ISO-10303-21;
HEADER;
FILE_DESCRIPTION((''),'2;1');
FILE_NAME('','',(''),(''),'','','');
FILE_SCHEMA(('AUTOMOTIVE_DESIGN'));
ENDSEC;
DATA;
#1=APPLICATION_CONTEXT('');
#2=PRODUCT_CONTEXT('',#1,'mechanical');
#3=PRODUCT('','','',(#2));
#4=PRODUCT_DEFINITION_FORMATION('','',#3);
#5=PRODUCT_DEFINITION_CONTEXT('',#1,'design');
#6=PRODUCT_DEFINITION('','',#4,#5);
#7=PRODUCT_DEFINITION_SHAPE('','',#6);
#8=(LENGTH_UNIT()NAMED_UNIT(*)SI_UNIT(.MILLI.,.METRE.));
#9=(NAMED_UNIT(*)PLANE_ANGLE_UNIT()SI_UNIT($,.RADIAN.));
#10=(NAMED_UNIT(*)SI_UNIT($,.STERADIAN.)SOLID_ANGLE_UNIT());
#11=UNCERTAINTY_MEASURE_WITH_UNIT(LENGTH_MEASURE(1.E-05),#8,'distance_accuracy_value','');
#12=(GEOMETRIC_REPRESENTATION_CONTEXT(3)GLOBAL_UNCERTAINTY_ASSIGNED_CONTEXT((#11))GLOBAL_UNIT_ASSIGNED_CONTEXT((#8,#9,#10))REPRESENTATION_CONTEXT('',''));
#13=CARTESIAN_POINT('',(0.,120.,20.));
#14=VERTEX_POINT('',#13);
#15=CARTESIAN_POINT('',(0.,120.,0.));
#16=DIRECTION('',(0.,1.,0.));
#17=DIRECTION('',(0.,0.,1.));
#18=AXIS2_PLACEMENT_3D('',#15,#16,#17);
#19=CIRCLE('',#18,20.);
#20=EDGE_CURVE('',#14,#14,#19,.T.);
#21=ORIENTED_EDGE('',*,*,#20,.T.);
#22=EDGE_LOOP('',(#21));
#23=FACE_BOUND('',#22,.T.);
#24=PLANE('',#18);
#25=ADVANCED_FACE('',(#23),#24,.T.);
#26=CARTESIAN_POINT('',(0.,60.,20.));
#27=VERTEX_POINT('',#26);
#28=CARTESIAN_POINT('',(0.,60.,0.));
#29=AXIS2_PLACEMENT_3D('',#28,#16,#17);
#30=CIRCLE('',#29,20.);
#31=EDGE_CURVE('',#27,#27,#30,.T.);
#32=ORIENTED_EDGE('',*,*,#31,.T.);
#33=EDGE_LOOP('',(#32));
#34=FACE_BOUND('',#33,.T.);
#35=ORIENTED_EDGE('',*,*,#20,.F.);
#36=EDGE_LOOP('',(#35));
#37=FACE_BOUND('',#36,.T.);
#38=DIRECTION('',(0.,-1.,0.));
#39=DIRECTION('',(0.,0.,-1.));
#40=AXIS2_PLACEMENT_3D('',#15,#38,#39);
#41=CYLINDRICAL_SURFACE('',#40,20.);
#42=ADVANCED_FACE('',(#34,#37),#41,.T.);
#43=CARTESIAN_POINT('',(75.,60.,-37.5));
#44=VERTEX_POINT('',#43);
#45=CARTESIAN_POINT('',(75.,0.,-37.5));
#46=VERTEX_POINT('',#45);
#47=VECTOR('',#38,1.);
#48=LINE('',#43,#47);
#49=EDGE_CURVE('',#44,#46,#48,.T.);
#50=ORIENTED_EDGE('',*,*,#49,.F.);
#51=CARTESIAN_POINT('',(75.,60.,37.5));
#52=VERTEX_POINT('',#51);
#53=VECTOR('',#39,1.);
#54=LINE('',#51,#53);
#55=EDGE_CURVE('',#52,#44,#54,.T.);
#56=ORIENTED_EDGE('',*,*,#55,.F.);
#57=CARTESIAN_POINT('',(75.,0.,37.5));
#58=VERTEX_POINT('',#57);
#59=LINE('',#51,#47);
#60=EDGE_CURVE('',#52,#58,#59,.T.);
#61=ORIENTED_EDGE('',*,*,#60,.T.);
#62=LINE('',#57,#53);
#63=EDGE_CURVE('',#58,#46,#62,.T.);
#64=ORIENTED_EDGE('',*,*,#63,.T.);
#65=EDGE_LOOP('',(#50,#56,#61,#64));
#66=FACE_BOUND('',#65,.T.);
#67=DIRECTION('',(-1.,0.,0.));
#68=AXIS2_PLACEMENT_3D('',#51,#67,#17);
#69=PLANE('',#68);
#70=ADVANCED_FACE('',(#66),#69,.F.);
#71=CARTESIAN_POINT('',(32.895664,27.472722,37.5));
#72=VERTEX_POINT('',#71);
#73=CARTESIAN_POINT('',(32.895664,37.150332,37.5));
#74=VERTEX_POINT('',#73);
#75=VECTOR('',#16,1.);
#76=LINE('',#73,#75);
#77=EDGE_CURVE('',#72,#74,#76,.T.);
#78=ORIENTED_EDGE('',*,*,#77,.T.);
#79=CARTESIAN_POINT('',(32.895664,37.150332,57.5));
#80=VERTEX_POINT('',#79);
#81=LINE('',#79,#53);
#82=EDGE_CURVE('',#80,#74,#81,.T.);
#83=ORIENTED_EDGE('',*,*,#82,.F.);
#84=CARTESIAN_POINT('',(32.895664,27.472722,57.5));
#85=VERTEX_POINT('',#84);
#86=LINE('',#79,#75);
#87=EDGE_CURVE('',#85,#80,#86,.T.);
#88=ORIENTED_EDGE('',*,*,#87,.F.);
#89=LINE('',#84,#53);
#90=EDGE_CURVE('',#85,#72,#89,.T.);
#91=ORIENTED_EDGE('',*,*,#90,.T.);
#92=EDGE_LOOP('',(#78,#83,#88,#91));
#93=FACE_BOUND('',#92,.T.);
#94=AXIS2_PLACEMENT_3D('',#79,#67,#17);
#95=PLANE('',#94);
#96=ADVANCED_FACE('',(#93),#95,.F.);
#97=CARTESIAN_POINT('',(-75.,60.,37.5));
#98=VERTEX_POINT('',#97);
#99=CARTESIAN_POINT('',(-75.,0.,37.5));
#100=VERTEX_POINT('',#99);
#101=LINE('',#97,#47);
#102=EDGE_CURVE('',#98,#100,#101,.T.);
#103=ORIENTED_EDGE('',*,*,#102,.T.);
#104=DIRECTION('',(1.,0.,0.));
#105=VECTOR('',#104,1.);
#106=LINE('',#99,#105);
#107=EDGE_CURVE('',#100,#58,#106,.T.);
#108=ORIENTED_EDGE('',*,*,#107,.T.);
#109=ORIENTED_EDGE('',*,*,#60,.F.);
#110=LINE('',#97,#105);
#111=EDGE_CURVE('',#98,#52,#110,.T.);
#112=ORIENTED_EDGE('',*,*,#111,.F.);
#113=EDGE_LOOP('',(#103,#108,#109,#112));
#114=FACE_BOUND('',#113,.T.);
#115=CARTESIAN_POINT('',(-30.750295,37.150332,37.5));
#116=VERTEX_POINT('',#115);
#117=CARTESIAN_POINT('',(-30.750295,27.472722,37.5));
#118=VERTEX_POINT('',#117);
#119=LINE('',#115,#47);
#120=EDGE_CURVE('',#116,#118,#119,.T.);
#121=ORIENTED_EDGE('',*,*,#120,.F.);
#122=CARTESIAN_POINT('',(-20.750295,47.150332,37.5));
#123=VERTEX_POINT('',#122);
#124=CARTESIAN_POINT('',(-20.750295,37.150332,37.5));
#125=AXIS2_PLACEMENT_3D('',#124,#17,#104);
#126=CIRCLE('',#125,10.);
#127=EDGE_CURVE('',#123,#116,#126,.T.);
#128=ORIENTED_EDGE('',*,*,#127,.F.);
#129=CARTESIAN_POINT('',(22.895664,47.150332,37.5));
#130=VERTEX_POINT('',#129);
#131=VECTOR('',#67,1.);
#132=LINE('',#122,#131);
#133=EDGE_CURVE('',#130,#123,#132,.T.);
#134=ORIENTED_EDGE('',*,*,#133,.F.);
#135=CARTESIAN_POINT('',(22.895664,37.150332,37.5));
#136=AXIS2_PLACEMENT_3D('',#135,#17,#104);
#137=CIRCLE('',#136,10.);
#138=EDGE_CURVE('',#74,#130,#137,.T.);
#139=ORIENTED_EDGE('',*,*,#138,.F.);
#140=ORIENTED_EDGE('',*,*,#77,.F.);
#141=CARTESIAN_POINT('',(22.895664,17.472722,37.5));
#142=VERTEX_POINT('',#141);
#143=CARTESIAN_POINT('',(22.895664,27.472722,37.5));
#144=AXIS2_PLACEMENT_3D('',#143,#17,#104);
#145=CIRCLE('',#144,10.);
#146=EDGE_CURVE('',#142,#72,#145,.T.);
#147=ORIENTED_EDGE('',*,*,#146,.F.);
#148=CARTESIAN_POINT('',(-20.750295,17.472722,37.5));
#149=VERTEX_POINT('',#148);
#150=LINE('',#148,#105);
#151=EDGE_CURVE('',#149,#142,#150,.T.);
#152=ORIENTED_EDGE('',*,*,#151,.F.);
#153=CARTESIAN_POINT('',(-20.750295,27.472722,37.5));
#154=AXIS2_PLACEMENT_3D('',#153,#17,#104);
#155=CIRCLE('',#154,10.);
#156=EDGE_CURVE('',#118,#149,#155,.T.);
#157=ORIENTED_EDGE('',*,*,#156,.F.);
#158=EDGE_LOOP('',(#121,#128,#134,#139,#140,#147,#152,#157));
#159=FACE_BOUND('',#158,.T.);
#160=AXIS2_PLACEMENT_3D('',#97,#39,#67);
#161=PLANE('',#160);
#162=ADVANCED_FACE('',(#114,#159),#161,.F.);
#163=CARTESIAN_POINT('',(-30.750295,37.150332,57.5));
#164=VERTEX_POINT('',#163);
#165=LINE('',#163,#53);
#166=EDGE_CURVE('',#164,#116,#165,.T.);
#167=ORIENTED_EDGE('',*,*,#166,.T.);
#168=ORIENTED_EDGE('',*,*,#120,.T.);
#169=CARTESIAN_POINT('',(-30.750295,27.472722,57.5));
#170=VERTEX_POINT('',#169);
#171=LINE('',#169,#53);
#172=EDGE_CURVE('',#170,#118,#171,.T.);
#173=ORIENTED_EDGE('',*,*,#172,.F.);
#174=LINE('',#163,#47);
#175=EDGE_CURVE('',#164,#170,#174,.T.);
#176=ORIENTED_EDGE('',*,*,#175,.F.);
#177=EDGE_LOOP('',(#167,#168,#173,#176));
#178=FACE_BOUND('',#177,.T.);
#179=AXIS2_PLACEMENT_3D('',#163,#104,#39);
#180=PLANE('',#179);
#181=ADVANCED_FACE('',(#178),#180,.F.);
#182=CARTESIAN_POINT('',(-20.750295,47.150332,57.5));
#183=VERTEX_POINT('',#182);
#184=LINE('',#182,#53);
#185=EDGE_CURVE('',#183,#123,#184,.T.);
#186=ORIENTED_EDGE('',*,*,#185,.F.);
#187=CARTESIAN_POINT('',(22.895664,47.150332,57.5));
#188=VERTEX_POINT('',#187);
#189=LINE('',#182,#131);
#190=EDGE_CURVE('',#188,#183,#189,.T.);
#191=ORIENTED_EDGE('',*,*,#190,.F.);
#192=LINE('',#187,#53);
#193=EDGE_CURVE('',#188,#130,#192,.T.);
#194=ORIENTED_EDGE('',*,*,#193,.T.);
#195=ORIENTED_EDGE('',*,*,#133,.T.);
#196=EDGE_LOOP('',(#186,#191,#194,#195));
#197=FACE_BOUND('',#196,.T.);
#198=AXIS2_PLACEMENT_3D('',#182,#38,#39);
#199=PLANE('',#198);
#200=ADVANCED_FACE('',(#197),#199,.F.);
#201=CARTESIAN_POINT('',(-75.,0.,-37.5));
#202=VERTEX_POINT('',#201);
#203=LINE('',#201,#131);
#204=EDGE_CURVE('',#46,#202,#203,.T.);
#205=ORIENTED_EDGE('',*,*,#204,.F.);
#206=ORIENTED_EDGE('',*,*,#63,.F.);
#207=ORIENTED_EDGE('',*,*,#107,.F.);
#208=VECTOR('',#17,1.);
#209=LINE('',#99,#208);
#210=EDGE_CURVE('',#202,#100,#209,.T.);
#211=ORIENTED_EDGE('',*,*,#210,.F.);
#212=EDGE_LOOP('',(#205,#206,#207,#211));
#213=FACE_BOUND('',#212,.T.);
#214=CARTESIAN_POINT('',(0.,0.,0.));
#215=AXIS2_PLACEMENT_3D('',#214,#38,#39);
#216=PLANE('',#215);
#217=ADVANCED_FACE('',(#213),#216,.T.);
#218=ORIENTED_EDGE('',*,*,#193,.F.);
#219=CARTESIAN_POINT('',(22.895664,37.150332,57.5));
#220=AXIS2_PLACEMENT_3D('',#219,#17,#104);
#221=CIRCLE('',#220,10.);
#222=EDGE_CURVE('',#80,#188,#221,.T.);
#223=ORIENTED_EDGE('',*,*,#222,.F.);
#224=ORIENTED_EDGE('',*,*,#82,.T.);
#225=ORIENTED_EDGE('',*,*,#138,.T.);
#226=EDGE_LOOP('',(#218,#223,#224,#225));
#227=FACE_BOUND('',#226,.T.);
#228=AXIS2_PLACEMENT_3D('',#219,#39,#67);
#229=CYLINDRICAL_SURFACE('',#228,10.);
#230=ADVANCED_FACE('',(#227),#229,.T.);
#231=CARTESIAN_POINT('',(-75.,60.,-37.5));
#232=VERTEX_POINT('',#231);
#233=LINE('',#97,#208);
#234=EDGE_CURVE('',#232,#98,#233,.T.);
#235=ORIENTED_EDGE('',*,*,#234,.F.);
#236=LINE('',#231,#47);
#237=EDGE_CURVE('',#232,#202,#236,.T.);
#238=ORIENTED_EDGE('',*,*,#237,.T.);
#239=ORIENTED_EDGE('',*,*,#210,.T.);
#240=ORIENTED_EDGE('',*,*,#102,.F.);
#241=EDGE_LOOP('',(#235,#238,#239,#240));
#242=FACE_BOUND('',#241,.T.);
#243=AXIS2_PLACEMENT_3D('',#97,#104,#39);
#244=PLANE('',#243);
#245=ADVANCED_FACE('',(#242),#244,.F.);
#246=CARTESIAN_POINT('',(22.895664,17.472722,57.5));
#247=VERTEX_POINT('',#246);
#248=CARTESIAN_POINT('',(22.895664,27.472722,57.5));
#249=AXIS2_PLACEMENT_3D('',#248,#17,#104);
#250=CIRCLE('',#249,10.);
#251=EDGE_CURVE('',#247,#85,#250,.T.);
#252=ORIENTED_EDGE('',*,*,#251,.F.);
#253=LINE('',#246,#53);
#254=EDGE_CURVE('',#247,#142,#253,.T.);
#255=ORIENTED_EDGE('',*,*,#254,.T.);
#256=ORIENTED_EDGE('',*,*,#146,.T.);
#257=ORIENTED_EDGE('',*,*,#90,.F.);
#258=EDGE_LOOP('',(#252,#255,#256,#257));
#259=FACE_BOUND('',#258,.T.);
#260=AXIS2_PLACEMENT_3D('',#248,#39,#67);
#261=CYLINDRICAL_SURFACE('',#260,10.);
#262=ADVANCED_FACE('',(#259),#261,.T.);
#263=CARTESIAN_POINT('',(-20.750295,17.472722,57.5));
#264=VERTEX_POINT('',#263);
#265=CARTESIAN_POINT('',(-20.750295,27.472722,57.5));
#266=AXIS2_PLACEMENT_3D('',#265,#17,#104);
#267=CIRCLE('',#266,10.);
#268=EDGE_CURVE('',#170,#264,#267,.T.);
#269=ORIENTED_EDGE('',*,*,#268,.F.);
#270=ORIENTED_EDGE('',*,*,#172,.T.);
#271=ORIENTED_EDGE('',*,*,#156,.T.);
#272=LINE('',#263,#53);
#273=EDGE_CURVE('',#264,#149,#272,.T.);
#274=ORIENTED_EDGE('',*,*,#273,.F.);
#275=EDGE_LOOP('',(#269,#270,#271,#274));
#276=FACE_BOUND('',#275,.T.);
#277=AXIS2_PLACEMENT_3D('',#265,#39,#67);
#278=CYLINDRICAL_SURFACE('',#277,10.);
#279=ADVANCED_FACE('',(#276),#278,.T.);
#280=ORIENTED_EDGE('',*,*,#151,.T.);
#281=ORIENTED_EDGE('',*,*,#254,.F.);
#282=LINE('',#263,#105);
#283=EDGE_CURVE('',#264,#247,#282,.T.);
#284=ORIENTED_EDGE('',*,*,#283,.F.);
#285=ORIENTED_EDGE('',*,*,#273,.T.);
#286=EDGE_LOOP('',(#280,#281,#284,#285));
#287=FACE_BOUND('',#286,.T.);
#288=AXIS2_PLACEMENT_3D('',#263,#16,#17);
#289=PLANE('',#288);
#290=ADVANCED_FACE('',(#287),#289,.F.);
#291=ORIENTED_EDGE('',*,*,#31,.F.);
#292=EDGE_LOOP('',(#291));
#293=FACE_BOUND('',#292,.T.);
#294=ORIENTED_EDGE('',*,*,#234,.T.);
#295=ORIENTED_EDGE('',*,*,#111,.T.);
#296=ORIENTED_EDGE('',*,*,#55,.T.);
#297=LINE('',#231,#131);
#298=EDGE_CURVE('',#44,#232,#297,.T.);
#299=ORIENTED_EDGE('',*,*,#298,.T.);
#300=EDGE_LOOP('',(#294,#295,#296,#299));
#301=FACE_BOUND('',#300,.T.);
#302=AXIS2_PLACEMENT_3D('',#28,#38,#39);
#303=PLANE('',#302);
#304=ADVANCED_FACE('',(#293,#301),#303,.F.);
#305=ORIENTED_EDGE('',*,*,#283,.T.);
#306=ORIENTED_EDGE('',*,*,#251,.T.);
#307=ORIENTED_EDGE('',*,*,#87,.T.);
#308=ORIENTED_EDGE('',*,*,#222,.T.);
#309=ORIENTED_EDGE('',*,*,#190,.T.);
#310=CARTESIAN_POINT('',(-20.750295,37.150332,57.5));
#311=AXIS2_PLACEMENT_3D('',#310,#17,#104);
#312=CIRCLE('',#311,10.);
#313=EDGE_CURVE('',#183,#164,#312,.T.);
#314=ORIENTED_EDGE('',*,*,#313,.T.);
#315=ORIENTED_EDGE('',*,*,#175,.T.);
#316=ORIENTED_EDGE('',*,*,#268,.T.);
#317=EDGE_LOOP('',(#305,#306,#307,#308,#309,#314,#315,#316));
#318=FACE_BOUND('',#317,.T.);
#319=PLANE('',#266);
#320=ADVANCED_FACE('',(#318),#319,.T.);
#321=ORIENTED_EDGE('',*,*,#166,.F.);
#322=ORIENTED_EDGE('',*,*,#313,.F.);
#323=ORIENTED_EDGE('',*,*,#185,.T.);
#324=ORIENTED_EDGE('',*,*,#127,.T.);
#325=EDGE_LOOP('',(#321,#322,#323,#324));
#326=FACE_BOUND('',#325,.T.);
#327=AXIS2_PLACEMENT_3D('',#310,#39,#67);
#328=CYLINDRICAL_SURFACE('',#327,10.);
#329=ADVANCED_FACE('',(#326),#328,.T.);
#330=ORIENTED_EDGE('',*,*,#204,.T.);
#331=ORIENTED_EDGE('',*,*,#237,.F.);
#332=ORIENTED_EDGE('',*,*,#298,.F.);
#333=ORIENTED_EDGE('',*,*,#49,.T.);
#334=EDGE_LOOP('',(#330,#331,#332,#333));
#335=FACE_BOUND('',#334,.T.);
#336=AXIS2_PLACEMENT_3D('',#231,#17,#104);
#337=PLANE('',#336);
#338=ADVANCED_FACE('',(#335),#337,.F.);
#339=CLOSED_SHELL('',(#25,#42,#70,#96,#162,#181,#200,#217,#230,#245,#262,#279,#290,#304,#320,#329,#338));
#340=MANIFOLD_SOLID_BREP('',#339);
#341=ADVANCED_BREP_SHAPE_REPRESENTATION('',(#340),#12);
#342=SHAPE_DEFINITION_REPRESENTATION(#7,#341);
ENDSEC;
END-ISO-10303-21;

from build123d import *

# Parameters (mm, degrees)
SKETCH1_W           = 150
SKETCH1_H           = 75
BOSS_EXTRUDE1_DEPTH = 60
SKETCH2_R           = 20
BOSS_EXTRUDE2_DEPTH = 60
BOSS_EXTRUDE3_DEPTH = 20


with BuildPart() as part:
    # Sketch1 → Boss-Extrude1 (new body)
    with BuildSketch(Plane(origin=(0, 0, 0), x_dir=(1, 0, 0), z_dir=(0, 1, 0))):
        Rectangle(SKETCH1_W, SKETCH1_H)
    extrude(amount=BOSS_EXTRUDE1_DEPTH)

    # Sketch2 → Boss-Extrude2 (add)
    with BuildSketch(Plane(origin=(0, 60, 0), x_dir=(1, 0, 0), z_dir=(0, 1, 0))):
        with Locations(Location((0, 0, 0), (0, 0, 270))):
            Circle(SKETCH2_R)
    extrude(amount=BOSS_EXTRUDE2_DEPTH)

    # Sketch3 → Boss-Extrude3 (add)
    with BuildSketch(Plane.XY.offset(37.5)):
        with BuildLine():
            Line((-20.750294914, 47.150331809), (22.895664326, 47.150331809))
            ThreePointArc((22.895664326, 47.150331809), (29.966732138, 44.221399621), (32.895664326, 37.150331809))
            Line((32.895664326, 37.150331809), (32.895664326, 27.472721601))
            ThreePointArc((32.895664326, 27.472721601), (29.966732138, 20.401653789), (22.895664326, 17.472721601))
            Line((22.895664326, 17.472721601), (-20.750294914, 17.472721601))
            ThreePointArc((-20.750294914, 17.472721601), (-27.821362726, 20.401653789), (-30.750294914, 27.472721601))
            Line((-30.750294914, 27.472721601), (-30.750294914, 37.150331809))
            ThreePointArc((-30.750294914, 37.150331809), (-27.821362726, 44.221399621), (-20.750294914, 47.150331809))
        make_face()
    extrude(amount=BOSS_EXTRUDE3_DEPTH)


solid = part.part
